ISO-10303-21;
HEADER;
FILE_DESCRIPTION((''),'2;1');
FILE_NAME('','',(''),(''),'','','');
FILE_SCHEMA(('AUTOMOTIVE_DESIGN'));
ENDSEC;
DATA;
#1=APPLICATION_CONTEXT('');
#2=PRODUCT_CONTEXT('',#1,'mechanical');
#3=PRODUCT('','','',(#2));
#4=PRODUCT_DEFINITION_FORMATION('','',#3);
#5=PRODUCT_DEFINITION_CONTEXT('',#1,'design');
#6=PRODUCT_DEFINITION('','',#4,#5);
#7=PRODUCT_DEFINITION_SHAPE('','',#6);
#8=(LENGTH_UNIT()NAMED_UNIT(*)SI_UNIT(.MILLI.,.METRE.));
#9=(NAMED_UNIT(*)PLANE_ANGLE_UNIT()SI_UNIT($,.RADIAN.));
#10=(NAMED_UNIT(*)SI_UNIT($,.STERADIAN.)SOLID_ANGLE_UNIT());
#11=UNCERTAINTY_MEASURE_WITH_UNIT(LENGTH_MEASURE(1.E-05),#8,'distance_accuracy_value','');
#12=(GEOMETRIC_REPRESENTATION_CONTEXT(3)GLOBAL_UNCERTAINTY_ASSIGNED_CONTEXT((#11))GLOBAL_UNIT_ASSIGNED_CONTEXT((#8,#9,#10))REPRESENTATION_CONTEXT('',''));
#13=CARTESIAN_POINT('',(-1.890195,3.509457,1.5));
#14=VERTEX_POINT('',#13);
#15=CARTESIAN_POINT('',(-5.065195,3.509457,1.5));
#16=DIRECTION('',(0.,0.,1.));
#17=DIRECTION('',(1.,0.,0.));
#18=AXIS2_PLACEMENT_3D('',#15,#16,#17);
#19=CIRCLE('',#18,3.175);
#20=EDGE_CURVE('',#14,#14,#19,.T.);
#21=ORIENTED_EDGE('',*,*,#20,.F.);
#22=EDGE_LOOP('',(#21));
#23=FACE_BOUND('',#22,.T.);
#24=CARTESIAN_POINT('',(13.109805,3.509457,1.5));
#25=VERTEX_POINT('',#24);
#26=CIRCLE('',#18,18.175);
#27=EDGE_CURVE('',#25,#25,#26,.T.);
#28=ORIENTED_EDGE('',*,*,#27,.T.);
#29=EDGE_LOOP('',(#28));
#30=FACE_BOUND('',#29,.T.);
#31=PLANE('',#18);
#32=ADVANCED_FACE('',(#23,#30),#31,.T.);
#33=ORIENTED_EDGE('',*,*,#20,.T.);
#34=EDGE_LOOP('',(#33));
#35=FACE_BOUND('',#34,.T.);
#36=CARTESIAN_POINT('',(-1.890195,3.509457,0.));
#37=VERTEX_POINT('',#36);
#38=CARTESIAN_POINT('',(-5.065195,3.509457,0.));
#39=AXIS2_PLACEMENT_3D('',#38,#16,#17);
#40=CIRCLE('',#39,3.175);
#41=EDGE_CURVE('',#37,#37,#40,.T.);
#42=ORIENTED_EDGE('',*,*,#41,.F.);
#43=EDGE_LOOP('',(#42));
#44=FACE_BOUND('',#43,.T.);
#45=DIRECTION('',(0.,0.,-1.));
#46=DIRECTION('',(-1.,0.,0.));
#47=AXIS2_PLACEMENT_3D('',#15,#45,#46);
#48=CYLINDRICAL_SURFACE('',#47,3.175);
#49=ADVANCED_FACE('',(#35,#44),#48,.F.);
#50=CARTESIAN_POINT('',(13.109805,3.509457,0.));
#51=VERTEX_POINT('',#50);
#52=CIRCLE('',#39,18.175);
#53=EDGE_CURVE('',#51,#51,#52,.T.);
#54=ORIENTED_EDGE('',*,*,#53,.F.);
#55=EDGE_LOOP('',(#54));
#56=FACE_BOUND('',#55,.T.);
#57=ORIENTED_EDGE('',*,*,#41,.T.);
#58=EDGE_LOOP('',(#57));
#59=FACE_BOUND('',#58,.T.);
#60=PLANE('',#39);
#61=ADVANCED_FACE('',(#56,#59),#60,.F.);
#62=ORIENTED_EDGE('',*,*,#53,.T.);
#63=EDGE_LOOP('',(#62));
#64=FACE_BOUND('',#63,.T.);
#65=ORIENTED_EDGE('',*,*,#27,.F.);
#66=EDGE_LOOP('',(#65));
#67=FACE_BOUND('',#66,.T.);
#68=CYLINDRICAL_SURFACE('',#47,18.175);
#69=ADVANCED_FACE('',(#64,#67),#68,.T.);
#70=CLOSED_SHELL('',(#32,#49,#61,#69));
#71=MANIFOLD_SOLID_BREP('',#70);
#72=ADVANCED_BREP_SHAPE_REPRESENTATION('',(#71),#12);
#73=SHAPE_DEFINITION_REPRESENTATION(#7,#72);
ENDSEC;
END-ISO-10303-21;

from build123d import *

# Parameters (mm, degrees)
SKETCH1_R           = 18.175
SKETCH1_R_2         = 3.175
BOSS_EXTRUDE1_DEPTH = 1.5


with BuildPart() as part:
    # Sketch1 → Boss-Extrude1 (new body)
    with BuildSketch(Plane.XY):
        with Locations((-5.065195061, 3.509456578)):
            Circle(SKETCH1_R)
        with Locations((-5.065195061, 3.509456578)):
            Circle(SKETCH1_R_2, mode=Mode.SUBTRACT)
    extrude(amount=BOSS_EXTRUDE1_DEPTH)


solid = part.part
